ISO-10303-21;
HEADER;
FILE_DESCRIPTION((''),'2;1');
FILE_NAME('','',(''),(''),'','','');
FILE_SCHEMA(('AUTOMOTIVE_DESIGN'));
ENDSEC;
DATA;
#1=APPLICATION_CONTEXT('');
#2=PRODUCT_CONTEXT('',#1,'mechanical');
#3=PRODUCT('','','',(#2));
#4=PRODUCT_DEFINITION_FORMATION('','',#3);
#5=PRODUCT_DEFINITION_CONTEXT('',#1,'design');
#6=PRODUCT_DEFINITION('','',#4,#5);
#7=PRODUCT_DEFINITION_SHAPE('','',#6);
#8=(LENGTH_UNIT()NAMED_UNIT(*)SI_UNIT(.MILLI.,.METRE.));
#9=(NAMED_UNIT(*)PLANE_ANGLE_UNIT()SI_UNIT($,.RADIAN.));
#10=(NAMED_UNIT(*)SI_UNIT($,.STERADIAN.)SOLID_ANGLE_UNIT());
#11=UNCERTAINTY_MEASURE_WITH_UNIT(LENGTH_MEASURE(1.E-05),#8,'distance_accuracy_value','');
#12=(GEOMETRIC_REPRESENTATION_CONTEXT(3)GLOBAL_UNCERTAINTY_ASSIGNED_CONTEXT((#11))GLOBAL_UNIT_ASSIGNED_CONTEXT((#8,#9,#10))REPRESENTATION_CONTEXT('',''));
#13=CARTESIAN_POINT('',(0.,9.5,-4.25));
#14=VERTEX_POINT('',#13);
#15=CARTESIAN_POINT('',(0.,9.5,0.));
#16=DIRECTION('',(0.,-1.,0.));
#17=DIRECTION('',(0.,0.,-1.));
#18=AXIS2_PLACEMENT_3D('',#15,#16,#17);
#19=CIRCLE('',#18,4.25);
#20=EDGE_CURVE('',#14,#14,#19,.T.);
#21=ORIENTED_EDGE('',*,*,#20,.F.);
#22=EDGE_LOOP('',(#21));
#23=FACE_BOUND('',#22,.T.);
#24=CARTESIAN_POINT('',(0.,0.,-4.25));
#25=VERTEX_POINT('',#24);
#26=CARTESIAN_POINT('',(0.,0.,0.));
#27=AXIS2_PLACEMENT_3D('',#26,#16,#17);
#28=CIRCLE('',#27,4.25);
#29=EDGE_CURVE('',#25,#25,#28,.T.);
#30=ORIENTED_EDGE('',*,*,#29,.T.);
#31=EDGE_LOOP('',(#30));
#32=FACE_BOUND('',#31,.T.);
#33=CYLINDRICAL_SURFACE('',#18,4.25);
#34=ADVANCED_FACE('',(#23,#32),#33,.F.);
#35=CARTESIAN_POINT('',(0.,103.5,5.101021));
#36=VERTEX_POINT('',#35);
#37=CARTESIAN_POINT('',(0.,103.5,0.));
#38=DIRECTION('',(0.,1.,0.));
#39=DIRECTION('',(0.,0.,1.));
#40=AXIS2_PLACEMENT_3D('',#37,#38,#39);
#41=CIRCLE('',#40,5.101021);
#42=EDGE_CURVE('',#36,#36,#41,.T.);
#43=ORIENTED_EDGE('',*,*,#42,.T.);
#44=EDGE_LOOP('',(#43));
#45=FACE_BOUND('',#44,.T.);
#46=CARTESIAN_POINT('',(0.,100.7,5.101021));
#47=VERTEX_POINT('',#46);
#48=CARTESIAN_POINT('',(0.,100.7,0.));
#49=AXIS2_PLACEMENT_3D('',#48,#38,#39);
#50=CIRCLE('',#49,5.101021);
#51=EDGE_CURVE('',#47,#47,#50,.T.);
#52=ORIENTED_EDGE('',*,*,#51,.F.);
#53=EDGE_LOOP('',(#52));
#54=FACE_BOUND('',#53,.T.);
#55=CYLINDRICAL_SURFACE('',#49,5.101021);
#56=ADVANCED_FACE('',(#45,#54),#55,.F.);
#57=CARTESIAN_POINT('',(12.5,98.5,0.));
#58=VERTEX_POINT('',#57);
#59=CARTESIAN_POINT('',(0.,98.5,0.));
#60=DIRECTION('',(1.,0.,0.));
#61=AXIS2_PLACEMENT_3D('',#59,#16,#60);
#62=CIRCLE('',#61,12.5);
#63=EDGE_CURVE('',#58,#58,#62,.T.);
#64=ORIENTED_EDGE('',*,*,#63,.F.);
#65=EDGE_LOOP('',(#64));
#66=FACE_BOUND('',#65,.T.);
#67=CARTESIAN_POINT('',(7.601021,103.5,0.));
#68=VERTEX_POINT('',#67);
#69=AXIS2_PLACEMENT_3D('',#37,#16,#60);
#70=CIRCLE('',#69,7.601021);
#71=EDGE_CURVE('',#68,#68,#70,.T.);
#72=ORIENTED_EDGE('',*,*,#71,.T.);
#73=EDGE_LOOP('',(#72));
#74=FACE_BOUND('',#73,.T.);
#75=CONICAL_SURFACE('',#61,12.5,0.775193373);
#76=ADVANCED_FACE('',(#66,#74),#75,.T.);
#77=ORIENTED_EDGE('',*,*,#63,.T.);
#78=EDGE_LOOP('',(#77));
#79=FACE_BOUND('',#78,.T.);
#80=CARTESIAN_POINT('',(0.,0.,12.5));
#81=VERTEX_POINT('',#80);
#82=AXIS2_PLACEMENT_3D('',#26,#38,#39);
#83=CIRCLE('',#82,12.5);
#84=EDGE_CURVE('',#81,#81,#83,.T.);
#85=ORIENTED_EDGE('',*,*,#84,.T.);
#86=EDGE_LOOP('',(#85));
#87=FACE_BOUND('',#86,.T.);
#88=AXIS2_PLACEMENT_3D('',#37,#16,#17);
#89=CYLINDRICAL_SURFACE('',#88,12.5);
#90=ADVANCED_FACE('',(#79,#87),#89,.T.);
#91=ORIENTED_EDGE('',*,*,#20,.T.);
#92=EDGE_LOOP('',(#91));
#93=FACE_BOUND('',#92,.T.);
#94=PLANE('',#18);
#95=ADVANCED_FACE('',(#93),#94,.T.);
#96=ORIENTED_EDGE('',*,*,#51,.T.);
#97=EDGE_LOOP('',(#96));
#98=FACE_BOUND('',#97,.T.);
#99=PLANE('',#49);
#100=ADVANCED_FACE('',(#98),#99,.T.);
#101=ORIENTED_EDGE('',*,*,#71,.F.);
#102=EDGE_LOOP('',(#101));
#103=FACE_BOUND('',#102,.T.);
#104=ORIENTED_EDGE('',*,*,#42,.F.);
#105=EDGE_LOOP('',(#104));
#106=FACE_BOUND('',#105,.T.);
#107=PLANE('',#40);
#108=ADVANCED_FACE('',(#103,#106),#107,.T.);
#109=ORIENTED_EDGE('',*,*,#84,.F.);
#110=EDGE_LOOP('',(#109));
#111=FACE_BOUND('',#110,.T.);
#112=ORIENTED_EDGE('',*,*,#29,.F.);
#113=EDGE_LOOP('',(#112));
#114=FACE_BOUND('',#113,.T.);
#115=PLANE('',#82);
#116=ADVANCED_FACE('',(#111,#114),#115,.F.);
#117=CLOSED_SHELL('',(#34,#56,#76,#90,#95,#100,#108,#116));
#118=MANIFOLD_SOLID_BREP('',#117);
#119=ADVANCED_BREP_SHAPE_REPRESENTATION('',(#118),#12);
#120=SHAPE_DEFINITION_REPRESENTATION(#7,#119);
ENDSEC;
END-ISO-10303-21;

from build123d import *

# Parameters (mm, degrees)
SKETCH1_R           = 12.5
BOSS_EXTRUDE1_DEPTH = 103.5
SKETCH3_R           = 5.101020514
CUT_EXTRUDE1_DEPTH  = 2.8
SKETCH4_R           = 4.25
CUT_EXTRUDE2_DEPTH  = 9.5


with BuildPart() as part:
    # Sketch1 → Boss-Extrude1 (new body)
    with BuildSketch(Plane(origin=(0, 0, 0), x_dir=(1, 0, 0), z_dir=(0, 1, 0))):
        Circle(SKETCH1_R)
    extrude(amount=BOSS_EXTRUDE1_DEPTH)

    # Sketch2 → Cut-Revolve4 (revolve, cut)
    with BuildSketch(Plane(origin=(0, 0, 0), x_dir=(0, 0, -1), z_dir=(1, 0, 0))):
        Polygon((-7.601020514, 103.5), (-12.5, 98.5), (-12.5, 103.5), align=None)
    revolve(axis=Axis((0, 0, 0), (0, 1, 0)), mode=Mode.SUBTRACT)

    # Sketch3 → Cut-Extrude1 (cut)
    with BuildSketch(Plane(origin=(0, 103.5, 0), x_dir=(1, 0, 0), z_dir=(0, 1, 0))):
        Circle(SKETCH3_R)
    extrude(amount=-CUT_EXTRUDE1_DEPTH, mode=Mode.SUBTRACT)

    # Sketch4 → Cut-Extrude2 (cut)
    with BuildSketch(Plane.XZ):
        Circle(SKETCH4_R)
    extrude(amount=-CUT_EXTRUDE2_DEPTH, mode=Mode.SUBTRACT)


solid = part.part
